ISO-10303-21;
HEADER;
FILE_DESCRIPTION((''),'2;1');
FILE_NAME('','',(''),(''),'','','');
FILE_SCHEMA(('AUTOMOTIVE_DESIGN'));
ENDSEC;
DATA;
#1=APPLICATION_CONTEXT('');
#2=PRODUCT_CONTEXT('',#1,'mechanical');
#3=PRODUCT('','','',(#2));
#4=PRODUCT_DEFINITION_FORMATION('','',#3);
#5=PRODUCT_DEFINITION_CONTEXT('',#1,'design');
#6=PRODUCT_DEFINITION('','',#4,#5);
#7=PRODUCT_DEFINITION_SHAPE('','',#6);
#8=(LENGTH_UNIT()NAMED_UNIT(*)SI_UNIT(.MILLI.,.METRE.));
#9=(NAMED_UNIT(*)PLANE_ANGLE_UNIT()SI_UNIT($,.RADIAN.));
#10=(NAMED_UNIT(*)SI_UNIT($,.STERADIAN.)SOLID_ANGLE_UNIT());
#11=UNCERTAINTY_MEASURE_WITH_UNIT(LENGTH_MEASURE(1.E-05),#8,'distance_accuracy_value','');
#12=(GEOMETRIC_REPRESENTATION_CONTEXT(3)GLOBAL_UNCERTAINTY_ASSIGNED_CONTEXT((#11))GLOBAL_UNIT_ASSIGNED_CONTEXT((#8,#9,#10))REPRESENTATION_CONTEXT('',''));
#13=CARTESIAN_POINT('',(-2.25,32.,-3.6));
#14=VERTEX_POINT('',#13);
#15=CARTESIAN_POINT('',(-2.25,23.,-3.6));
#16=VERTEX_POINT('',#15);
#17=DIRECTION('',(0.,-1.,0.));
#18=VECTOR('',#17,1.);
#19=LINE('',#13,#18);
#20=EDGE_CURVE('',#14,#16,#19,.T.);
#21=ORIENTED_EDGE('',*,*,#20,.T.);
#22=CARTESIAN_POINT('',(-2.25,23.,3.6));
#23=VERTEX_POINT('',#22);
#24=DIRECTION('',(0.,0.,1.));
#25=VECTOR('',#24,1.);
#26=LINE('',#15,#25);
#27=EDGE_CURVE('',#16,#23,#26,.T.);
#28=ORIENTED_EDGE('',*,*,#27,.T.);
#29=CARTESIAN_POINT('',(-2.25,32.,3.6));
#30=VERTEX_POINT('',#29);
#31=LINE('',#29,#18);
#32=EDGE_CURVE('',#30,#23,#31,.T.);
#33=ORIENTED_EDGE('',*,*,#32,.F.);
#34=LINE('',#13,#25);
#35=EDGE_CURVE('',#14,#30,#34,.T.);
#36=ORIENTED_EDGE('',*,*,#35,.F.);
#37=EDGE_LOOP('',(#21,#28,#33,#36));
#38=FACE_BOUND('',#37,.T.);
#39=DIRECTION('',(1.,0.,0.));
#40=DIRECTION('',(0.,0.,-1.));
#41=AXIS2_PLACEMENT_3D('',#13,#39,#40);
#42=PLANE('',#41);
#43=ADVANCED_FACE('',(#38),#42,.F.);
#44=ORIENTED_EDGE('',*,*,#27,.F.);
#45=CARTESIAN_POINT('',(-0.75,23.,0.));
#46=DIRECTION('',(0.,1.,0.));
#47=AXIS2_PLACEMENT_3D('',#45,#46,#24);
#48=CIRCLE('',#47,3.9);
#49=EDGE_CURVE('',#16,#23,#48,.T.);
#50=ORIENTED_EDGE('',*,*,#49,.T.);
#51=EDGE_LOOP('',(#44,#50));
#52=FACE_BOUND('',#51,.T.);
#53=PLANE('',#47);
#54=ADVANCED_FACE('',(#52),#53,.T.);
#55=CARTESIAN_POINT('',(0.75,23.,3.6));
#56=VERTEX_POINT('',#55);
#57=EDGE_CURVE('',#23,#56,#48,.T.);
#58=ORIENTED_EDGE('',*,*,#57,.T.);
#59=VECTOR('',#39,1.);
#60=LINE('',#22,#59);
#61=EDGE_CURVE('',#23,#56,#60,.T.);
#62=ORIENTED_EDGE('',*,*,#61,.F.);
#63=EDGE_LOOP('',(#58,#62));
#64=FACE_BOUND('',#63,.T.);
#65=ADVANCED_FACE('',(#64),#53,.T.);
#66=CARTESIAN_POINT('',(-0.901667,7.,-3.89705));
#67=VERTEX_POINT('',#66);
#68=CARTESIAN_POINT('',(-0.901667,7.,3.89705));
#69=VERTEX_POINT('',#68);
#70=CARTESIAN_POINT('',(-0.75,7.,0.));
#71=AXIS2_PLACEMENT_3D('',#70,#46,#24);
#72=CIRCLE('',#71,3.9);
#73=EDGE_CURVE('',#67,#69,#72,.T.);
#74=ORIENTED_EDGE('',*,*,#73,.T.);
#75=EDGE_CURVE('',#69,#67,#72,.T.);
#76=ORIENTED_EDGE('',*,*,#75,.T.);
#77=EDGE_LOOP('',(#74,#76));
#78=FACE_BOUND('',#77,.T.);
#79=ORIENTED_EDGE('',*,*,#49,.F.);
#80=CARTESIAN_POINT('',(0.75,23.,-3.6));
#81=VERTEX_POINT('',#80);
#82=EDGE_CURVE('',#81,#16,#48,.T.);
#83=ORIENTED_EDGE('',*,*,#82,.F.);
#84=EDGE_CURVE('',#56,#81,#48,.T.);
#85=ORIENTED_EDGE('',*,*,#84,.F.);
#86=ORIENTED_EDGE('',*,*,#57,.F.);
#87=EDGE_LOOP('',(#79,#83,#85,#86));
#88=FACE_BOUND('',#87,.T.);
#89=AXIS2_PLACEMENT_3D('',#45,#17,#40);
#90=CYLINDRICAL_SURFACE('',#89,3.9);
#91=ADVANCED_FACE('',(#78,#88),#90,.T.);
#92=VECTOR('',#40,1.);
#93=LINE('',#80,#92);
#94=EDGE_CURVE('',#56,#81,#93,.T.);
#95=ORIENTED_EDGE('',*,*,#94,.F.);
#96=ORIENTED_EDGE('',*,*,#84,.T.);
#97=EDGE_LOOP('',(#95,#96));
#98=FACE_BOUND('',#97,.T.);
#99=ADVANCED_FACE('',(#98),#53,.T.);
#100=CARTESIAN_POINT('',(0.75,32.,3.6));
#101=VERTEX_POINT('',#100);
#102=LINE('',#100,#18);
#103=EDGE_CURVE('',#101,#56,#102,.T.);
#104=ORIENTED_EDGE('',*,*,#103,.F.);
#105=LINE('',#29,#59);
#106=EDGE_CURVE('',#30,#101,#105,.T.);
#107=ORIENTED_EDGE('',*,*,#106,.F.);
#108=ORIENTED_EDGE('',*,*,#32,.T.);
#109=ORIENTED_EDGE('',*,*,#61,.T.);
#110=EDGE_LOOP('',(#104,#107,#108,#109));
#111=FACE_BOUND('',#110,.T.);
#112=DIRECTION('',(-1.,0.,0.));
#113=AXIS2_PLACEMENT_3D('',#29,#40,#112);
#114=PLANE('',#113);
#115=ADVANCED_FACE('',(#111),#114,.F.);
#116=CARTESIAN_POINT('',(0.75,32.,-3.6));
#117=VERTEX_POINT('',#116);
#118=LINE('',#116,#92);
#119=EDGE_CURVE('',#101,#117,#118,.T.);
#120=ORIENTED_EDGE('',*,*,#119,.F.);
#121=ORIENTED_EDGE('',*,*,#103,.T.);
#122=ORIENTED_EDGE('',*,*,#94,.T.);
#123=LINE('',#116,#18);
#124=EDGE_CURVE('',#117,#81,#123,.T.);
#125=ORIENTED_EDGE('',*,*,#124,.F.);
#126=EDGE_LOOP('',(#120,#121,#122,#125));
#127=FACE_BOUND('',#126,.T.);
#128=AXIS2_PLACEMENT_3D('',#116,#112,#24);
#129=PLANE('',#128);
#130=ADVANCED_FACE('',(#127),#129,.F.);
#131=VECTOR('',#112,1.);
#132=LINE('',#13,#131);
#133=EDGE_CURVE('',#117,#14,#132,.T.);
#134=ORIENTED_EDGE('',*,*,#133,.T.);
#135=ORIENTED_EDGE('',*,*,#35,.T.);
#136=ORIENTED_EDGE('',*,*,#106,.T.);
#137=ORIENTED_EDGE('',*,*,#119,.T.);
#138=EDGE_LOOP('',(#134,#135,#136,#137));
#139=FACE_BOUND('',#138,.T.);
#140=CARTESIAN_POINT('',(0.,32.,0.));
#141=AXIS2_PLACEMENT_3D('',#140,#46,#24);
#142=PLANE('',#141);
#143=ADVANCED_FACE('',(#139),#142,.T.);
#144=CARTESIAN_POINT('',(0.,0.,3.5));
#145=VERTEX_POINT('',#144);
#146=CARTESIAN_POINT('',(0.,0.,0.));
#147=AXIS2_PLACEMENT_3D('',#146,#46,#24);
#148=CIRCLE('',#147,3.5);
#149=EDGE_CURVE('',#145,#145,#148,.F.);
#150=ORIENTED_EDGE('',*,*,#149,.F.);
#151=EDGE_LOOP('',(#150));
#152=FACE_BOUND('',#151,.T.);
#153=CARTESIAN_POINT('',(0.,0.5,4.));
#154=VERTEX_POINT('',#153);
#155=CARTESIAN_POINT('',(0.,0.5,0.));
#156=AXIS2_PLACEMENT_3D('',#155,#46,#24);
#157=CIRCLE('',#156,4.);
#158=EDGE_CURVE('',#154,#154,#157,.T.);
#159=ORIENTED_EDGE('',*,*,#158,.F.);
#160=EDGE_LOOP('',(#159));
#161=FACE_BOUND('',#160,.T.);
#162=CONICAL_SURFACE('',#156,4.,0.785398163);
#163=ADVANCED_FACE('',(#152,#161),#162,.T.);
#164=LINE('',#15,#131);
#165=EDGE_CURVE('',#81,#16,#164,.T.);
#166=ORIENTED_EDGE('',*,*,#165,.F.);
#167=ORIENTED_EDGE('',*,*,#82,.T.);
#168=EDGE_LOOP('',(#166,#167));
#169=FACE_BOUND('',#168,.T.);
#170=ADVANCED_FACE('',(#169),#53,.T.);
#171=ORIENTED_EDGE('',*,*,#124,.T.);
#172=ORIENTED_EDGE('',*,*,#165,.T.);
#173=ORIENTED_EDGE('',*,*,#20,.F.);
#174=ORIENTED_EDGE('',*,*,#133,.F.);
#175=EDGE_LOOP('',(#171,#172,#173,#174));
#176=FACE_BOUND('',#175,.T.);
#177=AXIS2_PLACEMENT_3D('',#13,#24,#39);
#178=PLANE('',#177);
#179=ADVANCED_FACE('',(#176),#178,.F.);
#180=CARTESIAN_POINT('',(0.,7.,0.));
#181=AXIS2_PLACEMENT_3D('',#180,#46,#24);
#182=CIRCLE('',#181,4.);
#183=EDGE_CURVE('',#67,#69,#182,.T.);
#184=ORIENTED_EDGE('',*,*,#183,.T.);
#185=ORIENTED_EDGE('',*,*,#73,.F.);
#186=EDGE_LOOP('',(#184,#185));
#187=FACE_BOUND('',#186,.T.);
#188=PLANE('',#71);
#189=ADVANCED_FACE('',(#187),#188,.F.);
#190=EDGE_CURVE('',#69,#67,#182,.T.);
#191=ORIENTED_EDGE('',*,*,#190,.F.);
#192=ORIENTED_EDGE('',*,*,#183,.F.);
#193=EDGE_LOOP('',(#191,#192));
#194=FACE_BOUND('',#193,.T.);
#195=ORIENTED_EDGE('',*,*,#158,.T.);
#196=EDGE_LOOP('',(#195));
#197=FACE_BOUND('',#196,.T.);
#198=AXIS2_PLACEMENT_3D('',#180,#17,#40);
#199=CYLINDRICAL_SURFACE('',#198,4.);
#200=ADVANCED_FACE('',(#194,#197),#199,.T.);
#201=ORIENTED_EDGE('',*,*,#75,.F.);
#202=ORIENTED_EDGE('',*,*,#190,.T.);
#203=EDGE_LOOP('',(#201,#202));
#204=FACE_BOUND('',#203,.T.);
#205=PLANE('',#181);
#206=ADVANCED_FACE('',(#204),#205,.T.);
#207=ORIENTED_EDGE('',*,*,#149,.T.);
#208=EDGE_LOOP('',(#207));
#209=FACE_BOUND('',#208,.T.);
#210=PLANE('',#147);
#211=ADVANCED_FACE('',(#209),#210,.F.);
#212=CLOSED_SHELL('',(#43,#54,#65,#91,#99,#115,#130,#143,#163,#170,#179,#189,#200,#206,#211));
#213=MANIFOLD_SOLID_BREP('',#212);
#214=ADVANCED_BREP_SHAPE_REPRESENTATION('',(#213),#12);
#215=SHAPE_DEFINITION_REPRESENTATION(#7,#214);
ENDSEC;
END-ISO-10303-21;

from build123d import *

# Parameters (mm, degrees)
SKETCH1_R           = 4
BOSS_EXTRUDE1_DEPTH = 7
SKETCH2_R           = 3.9
BOSS_EXTRUDE2_DEPTH = 16
CHAMFER1_SIZE       = 0.5
SKETCH3_W           = 3
SKETCH3_H           = 7.2
BOSS_EXTRUDE3_DEPTH = 9


with BuildPart() as part:
    # Sketch1 → Boss-Extrude1 (new body)
    with BuildSketch(Plane(origin=(0, 0, 0), x_dir=(1, 0, 0), z_dir=(0, 1, 0))):
        with Locations(Location((0, 0, 0), (0, 0, 270))):
            Circle(SKETCH1_R)
    extrude(amount=BOSS_EXTRUDE1_DEPTH)

    # Sketch2 → Boss-Extrude2 (add)
    with BuildSketch(Plane(origin=(0, 7, 0), x_dir=(1, 0, 0), z_dir=(0, 1, 0))):
        with Locations(Location((-0.75, 0, 0), (0, 0, 92.228731213))):
            Circle(SKETCH2_R)
    extrude(amount=BOSS_EXTRUDE2_DEPTH)

    # Chamfer1
    chamfer1_edges = [part.edges().sort_by_distance(p)[0] for p in [
        (0, 0, -4),
    ]]
    chamfer(chamfer1_edges, length=CHAMFER1_SIZE)

    # Sketch3 → Boss-Extrude3 (add)
    with BuildSketch(Plane(origin=(0, 23, 0), x_dir=(1, 0, 0), z_dir=(0, 1, 0))):
        with Locations((-0.75, 0)):
            Rectangle(SKETCH3_W, SKETCH3_H)
    extrude(amount=BOSS_EXTRUDE3_DEPTH)


solid = part.part
